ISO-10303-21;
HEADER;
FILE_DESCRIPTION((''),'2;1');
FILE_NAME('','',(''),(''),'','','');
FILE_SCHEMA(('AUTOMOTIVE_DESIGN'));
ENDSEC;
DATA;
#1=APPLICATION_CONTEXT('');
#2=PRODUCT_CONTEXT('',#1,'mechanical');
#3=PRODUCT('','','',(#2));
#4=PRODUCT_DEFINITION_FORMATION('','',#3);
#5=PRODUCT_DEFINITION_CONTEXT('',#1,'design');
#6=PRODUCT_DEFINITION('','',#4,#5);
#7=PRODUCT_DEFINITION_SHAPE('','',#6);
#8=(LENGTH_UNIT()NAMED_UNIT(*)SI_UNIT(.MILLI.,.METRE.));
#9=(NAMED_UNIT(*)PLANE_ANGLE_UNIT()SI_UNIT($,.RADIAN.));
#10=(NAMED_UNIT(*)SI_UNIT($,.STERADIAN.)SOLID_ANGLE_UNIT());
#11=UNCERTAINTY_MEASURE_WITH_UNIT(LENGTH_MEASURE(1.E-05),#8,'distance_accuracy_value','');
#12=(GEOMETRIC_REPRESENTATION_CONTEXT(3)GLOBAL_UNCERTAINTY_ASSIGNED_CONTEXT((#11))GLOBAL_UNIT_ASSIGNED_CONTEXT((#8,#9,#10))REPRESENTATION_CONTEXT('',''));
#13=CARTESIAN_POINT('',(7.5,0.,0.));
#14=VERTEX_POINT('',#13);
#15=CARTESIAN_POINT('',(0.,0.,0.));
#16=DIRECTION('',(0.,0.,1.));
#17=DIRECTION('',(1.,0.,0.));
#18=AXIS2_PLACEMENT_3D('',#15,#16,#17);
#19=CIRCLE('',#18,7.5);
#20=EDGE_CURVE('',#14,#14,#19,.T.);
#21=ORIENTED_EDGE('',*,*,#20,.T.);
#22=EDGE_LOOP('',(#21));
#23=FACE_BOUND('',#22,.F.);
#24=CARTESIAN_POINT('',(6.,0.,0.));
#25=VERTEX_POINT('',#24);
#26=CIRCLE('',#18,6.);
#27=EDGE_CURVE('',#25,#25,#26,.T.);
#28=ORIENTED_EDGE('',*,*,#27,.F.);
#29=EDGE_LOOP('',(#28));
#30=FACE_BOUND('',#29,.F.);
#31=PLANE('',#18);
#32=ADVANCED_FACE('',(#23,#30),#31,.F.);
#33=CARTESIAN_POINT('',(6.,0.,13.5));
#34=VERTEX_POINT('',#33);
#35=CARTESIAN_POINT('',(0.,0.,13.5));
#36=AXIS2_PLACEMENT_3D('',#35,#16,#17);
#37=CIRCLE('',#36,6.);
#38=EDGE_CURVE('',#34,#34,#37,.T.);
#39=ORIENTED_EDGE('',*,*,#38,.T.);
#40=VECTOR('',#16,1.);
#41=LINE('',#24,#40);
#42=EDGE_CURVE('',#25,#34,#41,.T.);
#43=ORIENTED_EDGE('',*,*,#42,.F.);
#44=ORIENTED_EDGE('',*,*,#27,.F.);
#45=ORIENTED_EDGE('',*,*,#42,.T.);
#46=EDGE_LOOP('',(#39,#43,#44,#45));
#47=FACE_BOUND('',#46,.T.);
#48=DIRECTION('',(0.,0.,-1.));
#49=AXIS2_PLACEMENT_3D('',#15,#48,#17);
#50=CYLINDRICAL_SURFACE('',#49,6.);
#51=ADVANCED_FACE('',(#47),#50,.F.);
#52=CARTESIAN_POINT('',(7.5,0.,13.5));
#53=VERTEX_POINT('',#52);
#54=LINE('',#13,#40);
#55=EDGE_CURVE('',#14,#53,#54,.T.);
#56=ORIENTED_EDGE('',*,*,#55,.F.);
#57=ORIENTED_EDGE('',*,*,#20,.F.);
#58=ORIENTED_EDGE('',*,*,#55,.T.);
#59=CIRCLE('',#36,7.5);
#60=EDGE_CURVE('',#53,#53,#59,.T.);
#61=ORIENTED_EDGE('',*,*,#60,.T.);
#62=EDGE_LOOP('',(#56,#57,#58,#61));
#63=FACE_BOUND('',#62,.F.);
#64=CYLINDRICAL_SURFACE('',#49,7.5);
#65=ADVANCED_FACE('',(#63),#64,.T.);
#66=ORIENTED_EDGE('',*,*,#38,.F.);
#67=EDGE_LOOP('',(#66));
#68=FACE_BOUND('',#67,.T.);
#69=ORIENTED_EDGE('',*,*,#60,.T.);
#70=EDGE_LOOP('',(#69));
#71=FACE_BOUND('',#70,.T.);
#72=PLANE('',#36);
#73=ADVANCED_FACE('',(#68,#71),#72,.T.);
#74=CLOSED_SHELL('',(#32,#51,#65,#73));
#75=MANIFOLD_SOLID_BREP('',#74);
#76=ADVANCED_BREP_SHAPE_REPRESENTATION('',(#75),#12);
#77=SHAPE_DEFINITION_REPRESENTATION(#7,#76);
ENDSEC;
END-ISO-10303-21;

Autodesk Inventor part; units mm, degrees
ref_plane "YZ Plane" through (0, 0, 0) normal (1, 0, 0) x (0, 1, 0)
ref_plane "XZ Plane" through (0, 0, 0) normal (0, 1, 0) x (-1, 0, 0)
ref_plane "XY Plane" through (0, 0, 0) normal (0, 0, 1) x (1, 0, 0)
sketch "Sketch1" plane through (0, 0, 0) normal (0, 0, 1) x (1, 0, 0)
  circle A0 centre (0, 0) radius 6
  circle A1 centre (0, 0) radius 7.5
  dimension "d0" = 12
  dimension "d1" = 15
extrude "Extrusion1" add sketch "Sketch1" along normal blind 13.5
properties part number "13.5mm 0.375in Hex Spacer"
